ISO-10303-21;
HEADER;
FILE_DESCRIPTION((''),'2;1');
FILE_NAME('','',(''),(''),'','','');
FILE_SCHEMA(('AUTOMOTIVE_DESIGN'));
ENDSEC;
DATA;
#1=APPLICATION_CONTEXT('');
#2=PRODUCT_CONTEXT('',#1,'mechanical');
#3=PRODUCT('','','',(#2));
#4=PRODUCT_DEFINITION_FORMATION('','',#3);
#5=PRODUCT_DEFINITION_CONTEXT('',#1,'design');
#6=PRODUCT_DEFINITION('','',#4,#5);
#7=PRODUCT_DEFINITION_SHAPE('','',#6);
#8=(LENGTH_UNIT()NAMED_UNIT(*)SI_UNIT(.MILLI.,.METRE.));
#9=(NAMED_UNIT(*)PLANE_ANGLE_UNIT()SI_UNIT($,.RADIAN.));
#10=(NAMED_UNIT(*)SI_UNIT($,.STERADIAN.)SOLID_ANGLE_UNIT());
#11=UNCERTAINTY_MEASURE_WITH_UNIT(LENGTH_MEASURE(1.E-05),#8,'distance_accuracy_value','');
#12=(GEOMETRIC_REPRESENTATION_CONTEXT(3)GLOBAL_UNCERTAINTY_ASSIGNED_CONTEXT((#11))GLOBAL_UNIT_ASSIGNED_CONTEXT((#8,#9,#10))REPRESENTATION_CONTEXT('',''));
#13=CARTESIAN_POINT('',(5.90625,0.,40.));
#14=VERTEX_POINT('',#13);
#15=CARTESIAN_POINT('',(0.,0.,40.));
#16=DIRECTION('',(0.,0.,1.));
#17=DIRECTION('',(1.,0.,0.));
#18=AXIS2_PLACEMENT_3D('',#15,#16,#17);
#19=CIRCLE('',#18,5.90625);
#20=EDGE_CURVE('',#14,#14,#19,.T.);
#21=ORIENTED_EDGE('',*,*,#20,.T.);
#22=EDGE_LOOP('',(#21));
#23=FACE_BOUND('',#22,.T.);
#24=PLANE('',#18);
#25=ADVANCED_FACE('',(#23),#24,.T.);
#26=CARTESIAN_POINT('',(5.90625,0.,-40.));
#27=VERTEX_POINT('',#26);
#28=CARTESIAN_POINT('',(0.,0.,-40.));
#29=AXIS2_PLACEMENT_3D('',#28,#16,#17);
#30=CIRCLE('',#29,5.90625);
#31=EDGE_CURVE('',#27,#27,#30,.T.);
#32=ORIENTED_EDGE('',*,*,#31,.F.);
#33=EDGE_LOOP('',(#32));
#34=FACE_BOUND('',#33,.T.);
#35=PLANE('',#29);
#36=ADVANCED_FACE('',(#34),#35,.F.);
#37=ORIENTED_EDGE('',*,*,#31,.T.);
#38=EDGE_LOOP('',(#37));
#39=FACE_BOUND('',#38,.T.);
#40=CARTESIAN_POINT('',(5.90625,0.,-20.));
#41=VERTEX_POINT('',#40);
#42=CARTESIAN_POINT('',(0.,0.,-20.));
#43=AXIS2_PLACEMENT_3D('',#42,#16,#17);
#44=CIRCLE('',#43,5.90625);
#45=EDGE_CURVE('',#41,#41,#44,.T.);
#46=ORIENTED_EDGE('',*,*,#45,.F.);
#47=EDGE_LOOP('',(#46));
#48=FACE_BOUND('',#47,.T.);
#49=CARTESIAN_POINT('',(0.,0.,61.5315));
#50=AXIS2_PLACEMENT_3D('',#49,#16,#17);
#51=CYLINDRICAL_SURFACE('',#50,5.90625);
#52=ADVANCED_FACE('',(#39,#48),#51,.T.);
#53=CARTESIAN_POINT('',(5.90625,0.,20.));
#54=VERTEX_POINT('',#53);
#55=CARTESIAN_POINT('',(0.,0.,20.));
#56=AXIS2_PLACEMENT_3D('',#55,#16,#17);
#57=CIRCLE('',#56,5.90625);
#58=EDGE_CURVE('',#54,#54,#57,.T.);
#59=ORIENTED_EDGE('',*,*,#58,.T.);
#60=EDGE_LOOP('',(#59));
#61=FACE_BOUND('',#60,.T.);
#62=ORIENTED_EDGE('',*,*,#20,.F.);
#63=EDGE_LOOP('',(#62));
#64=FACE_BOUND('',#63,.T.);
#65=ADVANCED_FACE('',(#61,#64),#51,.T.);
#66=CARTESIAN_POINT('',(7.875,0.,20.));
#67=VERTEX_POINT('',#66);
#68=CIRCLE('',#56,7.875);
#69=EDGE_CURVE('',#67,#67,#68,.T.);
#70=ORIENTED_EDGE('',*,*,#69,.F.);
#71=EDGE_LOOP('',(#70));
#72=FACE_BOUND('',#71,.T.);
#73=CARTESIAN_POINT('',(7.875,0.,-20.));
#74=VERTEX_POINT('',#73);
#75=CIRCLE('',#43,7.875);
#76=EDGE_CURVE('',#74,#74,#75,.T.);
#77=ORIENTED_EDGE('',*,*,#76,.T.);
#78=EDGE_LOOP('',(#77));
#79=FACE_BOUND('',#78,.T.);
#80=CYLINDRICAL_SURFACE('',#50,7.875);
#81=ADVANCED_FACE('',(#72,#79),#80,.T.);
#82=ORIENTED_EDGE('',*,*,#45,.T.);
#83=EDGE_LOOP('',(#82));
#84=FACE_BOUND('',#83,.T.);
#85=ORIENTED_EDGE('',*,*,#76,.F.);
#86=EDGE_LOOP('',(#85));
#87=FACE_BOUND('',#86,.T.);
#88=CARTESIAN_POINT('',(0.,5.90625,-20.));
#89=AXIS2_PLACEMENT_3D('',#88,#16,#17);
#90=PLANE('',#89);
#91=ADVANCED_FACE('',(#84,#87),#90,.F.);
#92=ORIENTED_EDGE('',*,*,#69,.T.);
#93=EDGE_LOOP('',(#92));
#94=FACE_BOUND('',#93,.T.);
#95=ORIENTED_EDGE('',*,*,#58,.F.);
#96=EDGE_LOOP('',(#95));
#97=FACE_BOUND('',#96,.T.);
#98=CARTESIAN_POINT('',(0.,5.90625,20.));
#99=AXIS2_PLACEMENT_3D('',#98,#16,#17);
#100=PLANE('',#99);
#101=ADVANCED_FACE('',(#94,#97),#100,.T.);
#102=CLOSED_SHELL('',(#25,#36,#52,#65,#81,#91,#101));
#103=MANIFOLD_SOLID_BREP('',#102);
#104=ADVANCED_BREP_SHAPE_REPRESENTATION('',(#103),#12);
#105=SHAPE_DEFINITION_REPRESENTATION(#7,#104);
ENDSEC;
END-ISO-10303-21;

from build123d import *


with BuildPart() as part:
    # Sketch1 → Base-Revolve (revolve)
    with BuildSketch(Plane(origin=(0, 0, 0), x_dir=(0, 0, -1), z_dir=(1, 0, 0))):
        Polygon((-40, 0), (-40, 5.90625), (-20, 5.90625), (-20, 7.875), (20, 7.875), (20, 5.90625), (40, 5.90625), (40, 0), align=None)
    revolve(axis=Axis((0, 0, 61.5315), (0, 0, -1)))


solid = part.part
